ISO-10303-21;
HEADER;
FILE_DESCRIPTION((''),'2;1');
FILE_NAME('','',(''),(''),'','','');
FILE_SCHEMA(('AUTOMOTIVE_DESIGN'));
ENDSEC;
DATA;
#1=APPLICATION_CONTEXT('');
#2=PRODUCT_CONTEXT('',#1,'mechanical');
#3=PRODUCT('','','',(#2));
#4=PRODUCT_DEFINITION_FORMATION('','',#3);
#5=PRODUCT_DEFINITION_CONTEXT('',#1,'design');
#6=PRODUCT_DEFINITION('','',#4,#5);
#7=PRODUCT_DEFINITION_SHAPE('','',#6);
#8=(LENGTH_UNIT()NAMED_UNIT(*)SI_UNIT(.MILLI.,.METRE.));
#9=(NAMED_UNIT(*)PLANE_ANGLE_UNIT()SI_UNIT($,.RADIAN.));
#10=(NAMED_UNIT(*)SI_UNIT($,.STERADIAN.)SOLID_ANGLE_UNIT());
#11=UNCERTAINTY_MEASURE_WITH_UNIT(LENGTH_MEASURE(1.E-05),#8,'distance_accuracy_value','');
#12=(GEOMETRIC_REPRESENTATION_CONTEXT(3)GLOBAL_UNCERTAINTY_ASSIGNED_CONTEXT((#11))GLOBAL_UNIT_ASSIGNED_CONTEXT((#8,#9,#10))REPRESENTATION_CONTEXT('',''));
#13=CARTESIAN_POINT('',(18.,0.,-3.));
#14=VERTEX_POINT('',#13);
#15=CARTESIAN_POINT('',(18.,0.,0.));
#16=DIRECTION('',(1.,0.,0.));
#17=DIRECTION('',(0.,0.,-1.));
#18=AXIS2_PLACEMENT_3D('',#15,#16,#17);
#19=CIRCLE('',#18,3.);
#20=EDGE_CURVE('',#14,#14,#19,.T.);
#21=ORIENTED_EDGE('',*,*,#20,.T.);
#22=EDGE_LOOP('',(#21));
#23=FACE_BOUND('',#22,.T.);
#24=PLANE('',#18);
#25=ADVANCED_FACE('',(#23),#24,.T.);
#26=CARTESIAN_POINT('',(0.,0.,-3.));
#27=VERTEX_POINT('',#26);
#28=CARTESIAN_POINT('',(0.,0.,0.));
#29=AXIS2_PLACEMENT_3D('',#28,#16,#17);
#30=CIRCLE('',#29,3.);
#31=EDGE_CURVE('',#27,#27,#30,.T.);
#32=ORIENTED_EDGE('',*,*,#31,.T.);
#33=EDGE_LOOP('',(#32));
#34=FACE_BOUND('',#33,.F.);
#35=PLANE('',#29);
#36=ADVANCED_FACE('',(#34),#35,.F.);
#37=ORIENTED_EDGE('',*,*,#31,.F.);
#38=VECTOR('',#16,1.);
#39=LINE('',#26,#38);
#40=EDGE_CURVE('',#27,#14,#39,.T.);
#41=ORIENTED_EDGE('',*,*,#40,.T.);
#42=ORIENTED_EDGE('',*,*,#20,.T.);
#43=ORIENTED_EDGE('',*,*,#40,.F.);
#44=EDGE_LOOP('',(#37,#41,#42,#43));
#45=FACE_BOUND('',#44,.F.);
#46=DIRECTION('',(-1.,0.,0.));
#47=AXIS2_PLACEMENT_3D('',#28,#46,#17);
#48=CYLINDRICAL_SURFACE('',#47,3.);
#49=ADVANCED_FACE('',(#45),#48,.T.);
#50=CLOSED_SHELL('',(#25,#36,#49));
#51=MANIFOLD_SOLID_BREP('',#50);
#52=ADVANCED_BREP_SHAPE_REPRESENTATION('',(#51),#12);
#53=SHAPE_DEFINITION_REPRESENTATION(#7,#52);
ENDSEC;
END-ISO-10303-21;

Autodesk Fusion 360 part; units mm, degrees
sketch "Sketch1" plane through (0, 0, 0) normal (1, 0, 0) x (0, 0, -1)
  circle A0 centre (0, 0) radius 3
  dimension "d1" = 6
extrude "Extrude1" add sketch "Sketch1" along normal blind 18
